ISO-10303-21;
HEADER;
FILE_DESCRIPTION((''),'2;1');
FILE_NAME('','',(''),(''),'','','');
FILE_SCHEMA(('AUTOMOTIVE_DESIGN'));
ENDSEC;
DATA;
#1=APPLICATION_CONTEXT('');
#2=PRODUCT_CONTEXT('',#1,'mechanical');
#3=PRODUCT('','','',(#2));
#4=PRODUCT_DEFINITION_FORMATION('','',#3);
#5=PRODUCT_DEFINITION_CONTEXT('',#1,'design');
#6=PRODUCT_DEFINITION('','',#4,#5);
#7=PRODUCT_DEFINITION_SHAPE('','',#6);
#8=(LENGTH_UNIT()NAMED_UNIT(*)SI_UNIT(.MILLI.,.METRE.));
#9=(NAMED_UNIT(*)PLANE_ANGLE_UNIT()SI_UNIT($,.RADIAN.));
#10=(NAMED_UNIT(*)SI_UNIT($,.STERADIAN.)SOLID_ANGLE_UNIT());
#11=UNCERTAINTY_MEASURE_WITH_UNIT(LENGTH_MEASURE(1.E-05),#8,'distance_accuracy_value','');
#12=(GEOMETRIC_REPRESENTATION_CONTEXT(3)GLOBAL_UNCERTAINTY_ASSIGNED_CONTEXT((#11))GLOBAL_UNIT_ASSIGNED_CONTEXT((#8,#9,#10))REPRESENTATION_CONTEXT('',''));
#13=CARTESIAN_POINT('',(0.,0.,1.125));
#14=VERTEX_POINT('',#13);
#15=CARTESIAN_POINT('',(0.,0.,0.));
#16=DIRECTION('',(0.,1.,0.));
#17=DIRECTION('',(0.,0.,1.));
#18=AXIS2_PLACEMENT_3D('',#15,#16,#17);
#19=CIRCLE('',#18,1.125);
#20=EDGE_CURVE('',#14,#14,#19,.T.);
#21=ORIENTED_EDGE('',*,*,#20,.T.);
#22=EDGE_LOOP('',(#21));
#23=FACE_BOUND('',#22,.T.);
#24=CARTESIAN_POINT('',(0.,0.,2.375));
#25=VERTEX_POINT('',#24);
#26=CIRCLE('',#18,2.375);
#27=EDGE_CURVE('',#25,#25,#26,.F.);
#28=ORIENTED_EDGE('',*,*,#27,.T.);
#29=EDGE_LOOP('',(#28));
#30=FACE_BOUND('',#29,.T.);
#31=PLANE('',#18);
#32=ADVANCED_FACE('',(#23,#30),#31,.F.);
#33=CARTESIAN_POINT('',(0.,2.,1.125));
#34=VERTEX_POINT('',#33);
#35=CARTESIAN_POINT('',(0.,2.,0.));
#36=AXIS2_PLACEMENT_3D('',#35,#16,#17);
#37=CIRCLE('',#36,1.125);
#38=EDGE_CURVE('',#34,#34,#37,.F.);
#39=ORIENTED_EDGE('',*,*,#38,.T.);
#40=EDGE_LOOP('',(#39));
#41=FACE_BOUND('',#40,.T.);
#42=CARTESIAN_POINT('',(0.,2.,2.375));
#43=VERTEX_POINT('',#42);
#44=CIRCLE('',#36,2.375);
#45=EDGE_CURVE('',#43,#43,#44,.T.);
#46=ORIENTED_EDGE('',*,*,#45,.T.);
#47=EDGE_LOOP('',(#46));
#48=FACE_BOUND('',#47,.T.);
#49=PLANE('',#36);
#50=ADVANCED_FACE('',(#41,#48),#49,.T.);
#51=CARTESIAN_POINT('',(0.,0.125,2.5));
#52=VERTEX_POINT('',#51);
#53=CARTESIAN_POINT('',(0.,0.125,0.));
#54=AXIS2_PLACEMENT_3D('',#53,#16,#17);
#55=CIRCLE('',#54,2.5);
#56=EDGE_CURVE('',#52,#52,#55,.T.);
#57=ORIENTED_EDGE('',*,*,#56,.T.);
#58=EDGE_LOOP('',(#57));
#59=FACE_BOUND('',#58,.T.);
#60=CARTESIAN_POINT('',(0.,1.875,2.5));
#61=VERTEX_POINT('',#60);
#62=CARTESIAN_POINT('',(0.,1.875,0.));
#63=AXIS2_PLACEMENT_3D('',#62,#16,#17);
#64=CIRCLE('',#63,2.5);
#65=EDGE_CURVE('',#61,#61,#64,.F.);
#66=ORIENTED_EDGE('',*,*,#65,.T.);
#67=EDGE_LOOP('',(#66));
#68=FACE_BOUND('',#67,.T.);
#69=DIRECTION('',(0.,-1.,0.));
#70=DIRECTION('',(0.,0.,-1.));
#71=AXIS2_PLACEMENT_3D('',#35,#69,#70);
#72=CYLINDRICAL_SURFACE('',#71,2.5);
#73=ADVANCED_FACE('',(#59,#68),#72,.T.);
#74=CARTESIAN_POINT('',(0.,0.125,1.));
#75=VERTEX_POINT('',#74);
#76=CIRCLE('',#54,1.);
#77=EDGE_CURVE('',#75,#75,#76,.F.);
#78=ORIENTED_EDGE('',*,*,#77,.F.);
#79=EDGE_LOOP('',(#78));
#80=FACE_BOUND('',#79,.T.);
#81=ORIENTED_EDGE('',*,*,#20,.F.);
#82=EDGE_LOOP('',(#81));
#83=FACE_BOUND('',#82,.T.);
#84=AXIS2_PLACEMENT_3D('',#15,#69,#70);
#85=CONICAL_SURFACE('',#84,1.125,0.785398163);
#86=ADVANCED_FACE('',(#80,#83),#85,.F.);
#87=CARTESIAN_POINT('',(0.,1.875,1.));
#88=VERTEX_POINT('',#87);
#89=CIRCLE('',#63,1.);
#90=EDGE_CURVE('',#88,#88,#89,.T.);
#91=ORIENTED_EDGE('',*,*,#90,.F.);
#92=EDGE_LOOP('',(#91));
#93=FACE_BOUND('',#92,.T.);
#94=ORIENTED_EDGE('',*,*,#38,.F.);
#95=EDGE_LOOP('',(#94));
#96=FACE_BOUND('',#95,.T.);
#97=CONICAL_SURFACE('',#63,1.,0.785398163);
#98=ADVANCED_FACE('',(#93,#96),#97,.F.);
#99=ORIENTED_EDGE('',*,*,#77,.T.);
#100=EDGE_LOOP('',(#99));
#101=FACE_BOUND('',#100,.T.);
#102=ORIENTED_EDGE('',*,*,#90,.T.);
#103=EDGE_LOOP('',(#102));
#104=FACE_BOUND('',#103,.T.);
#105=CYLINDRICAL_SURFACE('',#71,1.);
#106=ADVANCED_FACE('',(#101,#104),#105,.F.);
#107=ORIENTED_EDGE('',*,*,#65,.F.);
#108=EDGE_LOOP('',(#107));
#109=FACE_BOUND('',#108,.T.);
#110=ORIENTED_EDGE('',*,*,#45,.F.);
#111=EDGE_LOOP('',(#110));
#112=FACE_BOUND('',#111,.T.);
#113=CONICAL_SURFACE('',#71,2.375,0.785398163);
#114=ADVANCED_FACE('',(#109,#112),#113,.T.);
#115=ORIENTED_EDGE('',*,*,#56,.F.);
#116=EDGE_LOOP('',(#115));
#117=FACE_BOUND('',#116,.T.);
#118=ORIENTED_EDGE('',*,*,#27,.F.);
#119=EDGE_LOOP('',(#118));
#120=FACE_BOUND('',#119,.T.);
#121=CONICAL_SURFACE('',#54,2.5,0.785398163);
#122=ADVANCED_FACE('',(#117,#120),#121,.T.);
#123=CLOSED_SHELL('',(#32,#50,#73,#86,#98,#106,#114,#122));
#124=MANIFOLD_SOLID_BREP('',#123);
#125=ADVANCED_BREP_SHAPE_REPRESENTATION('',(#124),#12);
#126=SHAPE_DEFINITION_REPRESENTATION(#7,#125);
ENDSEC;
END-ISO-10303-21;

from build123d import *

# Parameters (mm, degrees)
SKETCH1_R           = 2.5
SKETCH1_R_2         = 1
BOSS_EXTRUDE1_DEPTH = 2
CHAMFER1_SIZE       = 0.125


with BuildPart() as part:
    # Sketch1 → Boss-Extrude1 (new body)
    with BuildSketch(Plane(origin=(0, 0, 0), x_dir=(1, 0, 0), z_dir=(0, 1, 0))):
        with Locations(Location((0, 0, 0), (0, 0, 270))):
            Circle(SKETCH1_R)
        with Locations(Location((0, 0, 0), (0, 0, 270))):
            Circle(SKETCH1_R_2, mode=Mode.SUBTRACT)
    extrude(amount=BOSS_EXTRUDE1_DEPTH)

    # Chamfer1
    chamfer1_edges = [part.edges().sort_by_distance(p)[0] for p in [
        (0, 0, -2.5),
        (0, 2, -2.5),
        (0, 0, -1),
        (0, 2, -1),
    ]]
    chamfer(chamfer1_edges, length=CHAMFER1_SIZE)


solid = part.part
